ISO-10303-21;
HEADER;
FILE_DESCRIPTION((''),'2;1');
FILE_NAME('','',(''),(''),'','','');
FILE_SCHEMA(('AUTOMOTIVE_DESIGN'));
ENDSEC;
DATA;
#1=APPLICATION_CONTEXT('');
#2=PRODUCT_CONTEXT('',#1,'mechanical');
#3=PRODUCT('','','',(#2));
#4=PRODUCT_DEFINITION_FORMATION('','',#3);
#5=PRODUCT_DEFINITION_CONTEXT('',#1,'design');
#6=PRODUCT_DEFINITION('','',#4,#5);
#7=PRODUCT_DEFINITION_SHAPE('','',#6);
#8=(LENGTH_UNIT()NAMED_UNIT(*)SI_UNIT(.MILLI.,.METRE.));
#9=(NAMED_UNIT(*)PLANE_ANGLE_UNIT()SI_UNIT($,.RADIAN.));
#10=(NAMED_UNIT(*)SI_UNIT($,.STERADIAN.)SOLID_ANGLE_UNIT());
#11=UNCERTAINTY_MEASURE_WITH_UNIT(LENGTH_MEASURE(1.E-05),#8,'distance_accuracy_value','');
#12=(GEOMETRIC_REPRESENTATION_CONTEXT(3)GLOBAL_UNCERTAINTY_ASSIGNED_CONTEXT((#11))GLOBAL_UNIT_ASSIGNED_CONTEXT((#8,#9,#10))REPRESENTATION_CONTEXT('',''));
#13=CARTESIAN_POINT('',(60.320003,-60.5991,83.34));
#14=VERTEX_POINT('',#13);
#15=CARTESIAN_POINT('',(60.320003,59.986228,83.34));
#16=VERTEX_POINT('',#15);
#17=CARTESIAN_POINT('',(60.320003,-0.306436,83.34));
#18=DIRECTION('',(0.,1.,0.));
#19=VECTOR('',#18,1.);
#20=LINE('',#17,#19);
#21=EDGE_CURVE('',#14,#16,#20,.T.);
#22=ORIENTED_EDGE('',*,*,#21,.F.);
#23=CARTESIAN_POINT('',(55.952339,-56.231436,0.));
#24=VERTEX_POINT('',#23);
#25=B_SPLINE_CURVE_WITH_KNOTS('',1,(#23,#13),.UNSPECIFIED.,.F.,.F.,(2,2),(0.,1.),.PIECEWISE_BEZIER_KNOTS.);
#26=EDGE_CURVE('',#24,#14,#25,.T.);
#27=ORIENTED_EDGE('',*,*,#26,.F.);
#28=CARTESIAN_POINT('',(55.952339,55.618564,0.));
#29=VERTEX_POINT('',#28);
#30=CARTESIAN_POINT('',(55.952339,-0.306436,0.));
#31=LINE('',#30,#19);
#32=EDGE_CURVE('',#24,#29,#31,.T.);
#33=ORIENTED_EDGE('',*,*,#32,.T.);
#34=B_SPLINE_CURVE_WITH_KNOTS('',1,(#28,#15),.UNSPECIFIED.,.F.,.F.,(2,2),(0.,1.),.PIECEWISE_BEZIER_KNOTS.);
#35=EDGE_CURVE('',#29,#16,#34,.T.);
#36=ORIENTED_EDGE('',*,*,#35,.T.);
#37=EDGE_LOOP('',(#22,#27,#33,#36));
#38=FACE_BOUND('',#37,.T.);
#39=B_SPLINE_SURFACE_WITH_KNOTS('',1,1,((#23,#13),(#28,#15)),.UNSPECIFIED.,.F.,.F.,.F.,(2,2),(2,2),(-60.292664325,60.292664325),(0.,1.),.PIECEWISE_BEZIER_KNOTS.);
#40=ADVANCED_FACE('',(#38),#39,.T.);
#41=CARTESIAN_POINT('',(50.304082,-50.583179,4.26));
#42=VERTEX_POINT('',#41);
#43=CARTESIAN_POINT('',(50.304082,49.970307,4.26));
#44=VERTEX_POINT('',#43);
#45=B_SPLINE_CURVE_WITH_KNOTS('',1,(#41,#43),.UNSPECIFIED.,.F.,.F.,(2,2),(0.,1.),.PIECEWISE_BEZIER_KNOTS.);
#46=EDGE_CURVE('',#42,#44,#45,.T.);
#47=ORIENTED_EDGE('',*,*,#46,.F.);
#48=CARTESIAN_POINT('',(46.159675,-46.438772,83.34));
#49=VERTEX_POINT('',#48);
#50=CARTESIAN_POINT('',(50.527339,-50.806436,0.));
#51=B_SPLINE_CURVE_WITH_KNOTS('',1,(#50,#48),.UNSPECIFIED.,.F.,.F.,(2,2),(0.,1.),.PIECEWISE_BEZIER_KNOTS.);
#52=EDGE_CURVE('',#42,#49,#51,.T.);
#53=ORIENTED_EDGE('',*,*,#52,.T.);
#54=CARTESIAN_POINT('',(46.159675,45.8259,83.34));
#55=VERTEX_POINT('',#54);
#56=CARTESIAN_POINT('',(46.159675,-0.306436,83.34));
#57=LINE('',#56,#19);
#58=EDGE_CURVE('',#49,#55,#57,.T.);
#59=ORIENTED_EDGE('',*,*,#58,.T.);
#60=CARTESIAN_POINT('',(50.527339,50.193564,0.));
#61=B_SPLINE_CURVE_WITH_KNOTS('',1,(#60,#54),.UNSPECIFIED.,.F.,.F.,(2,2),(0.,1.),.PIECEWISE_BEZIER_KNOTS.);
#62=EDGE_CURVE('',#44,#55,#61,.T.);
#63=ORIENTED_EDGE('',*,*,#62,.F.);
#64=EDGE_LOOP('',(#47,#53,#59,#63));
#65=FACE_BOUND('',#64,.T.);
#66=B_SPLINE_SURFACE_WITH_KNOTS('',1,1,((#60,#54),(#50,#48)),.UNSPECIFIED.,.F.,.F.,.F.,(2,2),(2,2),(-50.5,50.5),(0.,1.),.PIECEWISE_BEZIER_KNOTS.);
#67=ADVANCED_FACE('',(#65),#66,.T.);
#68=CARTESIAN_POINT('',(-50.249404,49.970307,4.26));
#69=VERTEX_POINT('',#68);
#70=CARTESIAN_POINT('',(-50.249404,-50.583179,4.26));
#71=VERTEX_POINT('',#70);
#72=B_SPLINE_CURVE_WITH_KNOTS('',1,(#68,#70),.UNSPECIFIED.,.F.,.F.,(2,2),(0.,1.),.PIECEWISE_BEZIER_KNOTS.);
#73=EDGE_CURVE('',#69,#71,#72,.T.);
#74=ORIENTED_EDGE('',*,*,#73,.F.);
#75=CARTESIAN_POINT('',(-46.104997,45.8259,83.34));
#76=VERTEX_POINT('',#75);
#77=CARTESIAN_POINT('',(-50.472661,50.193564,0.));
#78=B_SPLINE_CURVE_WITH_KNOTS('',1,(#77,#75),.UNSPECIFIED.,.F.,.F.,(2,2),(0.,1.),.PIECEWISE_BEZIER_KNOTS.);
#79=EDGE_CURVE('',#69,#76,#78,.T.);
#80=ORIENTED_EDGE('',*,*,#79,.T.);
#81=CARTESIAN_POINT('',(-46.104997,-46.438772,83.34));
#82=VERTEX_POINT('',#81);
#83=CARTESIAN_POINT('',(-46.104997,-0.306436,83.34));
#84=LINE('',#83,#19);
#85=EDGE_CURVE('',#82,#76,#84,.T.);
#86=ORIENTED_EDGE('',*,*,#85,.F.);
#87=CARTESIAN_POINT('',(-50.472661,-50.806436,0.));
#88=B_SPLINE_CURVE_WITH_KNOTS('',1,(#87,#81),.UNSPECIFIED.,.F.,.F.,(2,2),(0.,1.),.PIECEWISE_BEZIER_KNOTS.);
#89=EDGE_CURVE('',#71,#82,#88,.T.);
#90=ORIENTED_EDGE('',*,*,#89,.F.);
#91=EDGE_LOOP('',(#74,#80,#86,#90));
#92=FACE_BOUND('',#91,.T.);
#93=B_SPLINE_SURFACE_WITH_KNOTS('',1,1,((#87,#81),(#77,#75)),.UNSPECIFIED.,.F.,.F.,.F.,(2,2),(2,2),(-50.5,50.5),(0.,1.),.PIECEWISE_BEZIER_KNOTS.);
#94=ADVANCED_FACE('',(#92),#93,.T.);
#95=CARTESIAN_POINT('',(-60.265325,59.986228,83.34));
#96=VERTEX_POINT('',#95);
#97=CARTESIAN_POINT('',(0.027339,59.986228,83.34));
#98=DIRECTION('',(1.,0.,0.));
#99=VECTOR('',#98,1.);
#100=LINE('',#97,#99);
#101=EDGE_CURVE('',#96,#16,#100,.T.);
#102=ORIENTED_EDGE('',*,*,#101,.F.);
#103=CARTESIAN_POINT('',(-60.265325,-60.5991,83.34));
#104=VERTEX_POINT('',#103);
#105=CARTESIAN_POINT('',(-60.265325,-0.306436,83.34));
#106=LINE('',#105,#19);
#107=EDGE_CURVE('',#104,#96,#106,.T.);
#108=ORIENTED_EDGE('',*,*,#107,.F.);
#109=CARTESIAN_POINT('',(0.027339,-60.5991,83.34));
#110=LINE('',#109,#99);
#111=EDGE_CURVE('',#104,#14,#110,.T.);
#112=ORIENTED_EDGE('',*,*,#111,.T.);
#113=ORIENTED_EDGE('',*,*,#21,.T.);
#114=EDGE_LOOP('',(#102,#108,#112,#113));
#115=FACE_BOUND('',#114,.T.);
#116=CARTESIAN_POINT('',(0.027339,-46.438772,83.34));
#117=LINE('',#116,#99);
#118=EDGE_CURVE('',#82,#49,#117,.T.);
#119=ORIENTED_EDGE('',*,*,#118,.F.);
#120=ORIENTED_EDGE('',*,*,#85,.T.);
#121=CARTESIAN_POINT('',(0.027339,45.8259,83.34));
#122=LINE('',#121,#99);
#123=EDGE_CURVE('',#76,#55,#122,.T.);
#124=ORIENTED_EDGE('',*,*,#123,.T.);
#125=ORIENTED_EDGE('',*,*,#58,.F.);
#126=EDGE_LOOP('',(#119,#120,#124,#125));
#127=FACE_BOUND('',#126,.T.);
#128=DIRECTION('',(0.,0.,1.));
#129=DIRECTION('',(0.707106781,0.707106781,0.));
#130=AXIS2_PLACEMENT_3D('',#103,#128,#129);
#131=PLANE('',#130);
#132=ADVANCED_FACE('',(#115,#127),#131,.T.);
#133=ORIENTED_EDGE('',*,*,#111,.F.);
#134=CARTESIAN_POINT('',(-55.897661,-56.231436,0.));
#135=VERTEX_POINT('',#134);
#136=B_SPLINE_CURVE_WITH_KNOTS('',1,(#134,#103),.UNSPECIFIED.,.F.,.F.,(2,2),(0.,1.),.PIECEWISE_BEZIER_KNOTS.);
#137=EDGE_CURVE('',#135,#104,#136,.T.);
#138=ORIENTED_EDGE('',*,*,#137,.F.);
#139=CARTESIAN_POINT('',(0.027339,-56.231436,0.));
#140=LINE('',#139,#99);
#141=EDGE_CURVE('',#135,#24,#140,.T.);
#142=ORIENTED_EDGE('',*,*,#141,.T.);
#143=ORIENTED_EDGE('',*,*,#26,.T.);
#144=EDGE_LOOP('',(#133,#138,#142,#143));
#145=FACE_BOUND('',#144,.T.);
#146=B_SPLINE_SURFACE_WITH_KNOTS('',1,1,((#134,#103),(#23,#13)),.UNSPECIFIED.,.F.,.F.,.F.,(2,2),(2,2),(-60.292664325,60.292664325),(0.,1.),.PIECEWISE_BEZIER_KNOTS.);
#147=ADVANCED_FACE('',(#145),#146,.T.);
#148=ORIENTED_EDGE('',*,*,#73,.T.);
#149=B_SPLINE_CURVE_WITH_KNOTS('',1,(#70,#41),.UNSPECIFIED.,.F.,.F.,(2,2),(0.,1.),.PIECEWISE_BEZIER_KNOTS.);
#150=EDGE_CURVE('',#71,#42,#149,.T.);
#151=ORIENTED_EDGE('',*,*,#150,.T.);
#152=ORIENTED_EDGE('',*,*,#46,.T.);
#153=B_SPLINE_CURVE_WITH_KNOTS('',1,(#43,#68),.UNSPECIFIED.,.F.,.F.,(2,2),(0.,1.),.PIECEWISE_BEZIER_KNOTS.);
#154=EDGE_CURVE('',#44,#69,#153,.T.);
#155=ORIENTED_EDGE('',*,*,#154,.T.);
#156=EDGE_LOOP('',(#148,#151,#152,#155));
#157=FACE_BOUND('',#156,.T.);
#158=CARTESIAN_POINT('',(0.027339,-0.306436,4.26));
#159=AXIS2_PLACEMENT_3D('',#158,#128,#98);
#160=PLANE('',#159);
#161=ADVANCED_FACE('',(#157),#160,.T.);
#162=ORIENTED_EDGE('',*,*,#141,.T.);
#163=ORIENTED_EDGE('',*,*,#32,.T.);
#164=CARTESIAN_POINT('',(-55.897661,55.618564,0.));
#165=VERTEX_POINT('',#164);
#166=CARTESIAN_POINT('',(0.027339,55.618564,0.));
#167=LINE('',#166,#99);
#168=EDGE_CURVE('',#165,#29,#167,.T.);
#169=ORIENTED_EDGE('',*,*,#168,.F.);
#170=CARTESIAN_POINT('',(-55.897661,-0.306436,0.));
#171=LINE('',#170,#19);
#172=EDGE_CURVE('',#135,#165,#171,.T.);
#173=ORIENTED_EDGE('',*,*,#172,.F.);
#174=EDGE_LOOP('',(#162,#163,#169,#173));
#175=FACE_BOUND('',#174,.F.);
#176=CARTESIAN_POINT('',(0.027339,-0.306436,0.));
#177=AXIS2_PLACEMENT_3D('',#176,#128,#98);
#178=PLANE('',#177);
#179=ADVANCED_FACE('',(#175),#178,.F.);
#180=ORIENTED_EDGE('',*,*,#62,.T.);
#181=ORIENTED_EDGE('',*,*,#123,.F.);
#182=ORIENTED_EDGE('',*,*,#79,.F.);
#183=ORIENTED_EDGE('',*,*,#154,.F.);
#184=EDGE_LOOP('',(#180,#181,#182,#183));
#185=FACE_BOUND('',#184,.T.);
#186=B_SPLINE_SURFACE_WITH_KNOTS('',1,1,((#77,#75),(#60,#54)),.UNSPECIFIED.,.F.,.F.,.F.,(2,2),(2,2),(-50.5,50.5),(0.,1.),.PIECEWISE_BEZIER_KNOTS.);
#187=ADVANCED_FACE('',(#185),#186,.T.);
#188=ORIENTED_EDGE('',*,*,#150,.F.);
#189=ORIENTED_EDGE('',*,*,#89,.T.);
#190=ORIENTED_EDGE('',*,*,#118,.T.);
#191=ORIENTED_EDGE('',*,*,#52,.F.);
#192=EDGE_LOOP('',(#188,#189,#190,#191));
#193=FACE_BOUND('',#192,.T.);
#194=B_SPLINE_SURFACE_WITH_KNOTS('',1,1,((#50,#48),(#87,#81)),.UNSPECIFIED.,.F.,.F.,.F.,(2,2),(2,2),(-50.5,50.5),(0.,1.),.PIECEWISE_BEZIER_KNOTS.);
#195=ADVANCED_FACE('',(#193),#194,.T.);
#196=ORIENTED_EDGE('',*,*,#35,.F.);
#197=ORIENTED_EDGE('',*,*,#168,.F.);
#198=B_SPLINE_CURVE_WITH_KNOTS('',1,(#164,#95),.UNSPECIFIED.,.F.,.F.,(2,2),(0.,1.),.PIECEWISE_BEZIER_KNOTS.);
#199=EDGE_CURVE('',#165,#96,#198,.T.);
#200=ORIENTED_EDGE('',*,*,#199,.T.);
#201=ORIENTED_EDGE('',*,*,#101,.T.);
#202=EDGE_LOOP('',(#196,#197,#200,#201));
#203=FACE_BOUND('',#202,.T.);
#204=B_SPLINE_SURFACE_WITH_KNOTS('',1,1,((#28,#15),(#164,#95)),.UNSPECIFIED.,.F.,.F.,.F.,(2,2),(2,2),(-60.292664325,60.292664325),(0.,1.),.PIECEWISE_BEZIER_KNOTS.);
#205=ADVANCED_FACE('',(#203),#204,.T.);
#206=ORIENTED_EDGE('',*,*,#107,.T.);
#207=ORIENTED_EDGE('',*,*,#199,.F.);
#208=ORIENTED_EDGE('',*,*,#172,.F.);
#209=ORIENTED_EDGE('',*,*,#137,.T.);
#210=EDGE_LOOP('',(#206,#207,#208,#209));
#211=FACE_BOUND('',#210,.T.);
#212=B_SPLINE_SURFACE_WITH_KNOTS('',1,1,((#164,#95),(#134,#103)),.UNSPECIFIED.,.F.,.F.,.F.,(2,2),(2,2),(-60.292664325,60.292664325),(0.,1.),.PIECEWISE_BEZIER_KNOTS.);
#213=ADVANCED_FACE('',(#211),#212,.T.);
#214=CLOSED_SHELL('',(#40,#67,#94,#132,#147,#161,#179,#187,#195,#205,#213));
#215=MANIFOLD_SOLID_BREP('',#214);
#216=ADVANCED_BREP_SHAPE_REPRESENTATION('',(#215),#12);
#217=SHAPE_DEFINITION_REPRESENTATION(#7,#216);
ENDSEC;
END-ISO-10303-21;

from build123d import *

# Parameters (mm, degrees)
F0_W     = 111.85
F0_H     = 111.85
F0_W_2   = 101
F0_H_2   = 101
F1_DEPTH = 83.34
F1_TAPER = -3
F2_DEPTH = 4.26


with BuildPart() as f1:
    # F0 (on Top) → F1 (new body)
    with BuildSketch(Plane.XY):
        with Locations((0.0273388714, -0.306435948)):
            Rectangle(F0_W, F0_H)
        with Locations((0.0273388714, -0.306435948)):
            Rectangle(F0_W_2, F0_H_2, mode=Mode.SUBTRACT)
    extrude(amount=F1_DEPTH, taper=F1_TAPER)

    # F0 (on Top) → F2 (join)
    with BuildSketch(Plane.XY):
        with Locations((0.0273388714, -0.306435948)):
            Rectangle(F0_W_2, F0_H_2)
    extrude(amount=F2_DEPTH)


solid = f1.part
